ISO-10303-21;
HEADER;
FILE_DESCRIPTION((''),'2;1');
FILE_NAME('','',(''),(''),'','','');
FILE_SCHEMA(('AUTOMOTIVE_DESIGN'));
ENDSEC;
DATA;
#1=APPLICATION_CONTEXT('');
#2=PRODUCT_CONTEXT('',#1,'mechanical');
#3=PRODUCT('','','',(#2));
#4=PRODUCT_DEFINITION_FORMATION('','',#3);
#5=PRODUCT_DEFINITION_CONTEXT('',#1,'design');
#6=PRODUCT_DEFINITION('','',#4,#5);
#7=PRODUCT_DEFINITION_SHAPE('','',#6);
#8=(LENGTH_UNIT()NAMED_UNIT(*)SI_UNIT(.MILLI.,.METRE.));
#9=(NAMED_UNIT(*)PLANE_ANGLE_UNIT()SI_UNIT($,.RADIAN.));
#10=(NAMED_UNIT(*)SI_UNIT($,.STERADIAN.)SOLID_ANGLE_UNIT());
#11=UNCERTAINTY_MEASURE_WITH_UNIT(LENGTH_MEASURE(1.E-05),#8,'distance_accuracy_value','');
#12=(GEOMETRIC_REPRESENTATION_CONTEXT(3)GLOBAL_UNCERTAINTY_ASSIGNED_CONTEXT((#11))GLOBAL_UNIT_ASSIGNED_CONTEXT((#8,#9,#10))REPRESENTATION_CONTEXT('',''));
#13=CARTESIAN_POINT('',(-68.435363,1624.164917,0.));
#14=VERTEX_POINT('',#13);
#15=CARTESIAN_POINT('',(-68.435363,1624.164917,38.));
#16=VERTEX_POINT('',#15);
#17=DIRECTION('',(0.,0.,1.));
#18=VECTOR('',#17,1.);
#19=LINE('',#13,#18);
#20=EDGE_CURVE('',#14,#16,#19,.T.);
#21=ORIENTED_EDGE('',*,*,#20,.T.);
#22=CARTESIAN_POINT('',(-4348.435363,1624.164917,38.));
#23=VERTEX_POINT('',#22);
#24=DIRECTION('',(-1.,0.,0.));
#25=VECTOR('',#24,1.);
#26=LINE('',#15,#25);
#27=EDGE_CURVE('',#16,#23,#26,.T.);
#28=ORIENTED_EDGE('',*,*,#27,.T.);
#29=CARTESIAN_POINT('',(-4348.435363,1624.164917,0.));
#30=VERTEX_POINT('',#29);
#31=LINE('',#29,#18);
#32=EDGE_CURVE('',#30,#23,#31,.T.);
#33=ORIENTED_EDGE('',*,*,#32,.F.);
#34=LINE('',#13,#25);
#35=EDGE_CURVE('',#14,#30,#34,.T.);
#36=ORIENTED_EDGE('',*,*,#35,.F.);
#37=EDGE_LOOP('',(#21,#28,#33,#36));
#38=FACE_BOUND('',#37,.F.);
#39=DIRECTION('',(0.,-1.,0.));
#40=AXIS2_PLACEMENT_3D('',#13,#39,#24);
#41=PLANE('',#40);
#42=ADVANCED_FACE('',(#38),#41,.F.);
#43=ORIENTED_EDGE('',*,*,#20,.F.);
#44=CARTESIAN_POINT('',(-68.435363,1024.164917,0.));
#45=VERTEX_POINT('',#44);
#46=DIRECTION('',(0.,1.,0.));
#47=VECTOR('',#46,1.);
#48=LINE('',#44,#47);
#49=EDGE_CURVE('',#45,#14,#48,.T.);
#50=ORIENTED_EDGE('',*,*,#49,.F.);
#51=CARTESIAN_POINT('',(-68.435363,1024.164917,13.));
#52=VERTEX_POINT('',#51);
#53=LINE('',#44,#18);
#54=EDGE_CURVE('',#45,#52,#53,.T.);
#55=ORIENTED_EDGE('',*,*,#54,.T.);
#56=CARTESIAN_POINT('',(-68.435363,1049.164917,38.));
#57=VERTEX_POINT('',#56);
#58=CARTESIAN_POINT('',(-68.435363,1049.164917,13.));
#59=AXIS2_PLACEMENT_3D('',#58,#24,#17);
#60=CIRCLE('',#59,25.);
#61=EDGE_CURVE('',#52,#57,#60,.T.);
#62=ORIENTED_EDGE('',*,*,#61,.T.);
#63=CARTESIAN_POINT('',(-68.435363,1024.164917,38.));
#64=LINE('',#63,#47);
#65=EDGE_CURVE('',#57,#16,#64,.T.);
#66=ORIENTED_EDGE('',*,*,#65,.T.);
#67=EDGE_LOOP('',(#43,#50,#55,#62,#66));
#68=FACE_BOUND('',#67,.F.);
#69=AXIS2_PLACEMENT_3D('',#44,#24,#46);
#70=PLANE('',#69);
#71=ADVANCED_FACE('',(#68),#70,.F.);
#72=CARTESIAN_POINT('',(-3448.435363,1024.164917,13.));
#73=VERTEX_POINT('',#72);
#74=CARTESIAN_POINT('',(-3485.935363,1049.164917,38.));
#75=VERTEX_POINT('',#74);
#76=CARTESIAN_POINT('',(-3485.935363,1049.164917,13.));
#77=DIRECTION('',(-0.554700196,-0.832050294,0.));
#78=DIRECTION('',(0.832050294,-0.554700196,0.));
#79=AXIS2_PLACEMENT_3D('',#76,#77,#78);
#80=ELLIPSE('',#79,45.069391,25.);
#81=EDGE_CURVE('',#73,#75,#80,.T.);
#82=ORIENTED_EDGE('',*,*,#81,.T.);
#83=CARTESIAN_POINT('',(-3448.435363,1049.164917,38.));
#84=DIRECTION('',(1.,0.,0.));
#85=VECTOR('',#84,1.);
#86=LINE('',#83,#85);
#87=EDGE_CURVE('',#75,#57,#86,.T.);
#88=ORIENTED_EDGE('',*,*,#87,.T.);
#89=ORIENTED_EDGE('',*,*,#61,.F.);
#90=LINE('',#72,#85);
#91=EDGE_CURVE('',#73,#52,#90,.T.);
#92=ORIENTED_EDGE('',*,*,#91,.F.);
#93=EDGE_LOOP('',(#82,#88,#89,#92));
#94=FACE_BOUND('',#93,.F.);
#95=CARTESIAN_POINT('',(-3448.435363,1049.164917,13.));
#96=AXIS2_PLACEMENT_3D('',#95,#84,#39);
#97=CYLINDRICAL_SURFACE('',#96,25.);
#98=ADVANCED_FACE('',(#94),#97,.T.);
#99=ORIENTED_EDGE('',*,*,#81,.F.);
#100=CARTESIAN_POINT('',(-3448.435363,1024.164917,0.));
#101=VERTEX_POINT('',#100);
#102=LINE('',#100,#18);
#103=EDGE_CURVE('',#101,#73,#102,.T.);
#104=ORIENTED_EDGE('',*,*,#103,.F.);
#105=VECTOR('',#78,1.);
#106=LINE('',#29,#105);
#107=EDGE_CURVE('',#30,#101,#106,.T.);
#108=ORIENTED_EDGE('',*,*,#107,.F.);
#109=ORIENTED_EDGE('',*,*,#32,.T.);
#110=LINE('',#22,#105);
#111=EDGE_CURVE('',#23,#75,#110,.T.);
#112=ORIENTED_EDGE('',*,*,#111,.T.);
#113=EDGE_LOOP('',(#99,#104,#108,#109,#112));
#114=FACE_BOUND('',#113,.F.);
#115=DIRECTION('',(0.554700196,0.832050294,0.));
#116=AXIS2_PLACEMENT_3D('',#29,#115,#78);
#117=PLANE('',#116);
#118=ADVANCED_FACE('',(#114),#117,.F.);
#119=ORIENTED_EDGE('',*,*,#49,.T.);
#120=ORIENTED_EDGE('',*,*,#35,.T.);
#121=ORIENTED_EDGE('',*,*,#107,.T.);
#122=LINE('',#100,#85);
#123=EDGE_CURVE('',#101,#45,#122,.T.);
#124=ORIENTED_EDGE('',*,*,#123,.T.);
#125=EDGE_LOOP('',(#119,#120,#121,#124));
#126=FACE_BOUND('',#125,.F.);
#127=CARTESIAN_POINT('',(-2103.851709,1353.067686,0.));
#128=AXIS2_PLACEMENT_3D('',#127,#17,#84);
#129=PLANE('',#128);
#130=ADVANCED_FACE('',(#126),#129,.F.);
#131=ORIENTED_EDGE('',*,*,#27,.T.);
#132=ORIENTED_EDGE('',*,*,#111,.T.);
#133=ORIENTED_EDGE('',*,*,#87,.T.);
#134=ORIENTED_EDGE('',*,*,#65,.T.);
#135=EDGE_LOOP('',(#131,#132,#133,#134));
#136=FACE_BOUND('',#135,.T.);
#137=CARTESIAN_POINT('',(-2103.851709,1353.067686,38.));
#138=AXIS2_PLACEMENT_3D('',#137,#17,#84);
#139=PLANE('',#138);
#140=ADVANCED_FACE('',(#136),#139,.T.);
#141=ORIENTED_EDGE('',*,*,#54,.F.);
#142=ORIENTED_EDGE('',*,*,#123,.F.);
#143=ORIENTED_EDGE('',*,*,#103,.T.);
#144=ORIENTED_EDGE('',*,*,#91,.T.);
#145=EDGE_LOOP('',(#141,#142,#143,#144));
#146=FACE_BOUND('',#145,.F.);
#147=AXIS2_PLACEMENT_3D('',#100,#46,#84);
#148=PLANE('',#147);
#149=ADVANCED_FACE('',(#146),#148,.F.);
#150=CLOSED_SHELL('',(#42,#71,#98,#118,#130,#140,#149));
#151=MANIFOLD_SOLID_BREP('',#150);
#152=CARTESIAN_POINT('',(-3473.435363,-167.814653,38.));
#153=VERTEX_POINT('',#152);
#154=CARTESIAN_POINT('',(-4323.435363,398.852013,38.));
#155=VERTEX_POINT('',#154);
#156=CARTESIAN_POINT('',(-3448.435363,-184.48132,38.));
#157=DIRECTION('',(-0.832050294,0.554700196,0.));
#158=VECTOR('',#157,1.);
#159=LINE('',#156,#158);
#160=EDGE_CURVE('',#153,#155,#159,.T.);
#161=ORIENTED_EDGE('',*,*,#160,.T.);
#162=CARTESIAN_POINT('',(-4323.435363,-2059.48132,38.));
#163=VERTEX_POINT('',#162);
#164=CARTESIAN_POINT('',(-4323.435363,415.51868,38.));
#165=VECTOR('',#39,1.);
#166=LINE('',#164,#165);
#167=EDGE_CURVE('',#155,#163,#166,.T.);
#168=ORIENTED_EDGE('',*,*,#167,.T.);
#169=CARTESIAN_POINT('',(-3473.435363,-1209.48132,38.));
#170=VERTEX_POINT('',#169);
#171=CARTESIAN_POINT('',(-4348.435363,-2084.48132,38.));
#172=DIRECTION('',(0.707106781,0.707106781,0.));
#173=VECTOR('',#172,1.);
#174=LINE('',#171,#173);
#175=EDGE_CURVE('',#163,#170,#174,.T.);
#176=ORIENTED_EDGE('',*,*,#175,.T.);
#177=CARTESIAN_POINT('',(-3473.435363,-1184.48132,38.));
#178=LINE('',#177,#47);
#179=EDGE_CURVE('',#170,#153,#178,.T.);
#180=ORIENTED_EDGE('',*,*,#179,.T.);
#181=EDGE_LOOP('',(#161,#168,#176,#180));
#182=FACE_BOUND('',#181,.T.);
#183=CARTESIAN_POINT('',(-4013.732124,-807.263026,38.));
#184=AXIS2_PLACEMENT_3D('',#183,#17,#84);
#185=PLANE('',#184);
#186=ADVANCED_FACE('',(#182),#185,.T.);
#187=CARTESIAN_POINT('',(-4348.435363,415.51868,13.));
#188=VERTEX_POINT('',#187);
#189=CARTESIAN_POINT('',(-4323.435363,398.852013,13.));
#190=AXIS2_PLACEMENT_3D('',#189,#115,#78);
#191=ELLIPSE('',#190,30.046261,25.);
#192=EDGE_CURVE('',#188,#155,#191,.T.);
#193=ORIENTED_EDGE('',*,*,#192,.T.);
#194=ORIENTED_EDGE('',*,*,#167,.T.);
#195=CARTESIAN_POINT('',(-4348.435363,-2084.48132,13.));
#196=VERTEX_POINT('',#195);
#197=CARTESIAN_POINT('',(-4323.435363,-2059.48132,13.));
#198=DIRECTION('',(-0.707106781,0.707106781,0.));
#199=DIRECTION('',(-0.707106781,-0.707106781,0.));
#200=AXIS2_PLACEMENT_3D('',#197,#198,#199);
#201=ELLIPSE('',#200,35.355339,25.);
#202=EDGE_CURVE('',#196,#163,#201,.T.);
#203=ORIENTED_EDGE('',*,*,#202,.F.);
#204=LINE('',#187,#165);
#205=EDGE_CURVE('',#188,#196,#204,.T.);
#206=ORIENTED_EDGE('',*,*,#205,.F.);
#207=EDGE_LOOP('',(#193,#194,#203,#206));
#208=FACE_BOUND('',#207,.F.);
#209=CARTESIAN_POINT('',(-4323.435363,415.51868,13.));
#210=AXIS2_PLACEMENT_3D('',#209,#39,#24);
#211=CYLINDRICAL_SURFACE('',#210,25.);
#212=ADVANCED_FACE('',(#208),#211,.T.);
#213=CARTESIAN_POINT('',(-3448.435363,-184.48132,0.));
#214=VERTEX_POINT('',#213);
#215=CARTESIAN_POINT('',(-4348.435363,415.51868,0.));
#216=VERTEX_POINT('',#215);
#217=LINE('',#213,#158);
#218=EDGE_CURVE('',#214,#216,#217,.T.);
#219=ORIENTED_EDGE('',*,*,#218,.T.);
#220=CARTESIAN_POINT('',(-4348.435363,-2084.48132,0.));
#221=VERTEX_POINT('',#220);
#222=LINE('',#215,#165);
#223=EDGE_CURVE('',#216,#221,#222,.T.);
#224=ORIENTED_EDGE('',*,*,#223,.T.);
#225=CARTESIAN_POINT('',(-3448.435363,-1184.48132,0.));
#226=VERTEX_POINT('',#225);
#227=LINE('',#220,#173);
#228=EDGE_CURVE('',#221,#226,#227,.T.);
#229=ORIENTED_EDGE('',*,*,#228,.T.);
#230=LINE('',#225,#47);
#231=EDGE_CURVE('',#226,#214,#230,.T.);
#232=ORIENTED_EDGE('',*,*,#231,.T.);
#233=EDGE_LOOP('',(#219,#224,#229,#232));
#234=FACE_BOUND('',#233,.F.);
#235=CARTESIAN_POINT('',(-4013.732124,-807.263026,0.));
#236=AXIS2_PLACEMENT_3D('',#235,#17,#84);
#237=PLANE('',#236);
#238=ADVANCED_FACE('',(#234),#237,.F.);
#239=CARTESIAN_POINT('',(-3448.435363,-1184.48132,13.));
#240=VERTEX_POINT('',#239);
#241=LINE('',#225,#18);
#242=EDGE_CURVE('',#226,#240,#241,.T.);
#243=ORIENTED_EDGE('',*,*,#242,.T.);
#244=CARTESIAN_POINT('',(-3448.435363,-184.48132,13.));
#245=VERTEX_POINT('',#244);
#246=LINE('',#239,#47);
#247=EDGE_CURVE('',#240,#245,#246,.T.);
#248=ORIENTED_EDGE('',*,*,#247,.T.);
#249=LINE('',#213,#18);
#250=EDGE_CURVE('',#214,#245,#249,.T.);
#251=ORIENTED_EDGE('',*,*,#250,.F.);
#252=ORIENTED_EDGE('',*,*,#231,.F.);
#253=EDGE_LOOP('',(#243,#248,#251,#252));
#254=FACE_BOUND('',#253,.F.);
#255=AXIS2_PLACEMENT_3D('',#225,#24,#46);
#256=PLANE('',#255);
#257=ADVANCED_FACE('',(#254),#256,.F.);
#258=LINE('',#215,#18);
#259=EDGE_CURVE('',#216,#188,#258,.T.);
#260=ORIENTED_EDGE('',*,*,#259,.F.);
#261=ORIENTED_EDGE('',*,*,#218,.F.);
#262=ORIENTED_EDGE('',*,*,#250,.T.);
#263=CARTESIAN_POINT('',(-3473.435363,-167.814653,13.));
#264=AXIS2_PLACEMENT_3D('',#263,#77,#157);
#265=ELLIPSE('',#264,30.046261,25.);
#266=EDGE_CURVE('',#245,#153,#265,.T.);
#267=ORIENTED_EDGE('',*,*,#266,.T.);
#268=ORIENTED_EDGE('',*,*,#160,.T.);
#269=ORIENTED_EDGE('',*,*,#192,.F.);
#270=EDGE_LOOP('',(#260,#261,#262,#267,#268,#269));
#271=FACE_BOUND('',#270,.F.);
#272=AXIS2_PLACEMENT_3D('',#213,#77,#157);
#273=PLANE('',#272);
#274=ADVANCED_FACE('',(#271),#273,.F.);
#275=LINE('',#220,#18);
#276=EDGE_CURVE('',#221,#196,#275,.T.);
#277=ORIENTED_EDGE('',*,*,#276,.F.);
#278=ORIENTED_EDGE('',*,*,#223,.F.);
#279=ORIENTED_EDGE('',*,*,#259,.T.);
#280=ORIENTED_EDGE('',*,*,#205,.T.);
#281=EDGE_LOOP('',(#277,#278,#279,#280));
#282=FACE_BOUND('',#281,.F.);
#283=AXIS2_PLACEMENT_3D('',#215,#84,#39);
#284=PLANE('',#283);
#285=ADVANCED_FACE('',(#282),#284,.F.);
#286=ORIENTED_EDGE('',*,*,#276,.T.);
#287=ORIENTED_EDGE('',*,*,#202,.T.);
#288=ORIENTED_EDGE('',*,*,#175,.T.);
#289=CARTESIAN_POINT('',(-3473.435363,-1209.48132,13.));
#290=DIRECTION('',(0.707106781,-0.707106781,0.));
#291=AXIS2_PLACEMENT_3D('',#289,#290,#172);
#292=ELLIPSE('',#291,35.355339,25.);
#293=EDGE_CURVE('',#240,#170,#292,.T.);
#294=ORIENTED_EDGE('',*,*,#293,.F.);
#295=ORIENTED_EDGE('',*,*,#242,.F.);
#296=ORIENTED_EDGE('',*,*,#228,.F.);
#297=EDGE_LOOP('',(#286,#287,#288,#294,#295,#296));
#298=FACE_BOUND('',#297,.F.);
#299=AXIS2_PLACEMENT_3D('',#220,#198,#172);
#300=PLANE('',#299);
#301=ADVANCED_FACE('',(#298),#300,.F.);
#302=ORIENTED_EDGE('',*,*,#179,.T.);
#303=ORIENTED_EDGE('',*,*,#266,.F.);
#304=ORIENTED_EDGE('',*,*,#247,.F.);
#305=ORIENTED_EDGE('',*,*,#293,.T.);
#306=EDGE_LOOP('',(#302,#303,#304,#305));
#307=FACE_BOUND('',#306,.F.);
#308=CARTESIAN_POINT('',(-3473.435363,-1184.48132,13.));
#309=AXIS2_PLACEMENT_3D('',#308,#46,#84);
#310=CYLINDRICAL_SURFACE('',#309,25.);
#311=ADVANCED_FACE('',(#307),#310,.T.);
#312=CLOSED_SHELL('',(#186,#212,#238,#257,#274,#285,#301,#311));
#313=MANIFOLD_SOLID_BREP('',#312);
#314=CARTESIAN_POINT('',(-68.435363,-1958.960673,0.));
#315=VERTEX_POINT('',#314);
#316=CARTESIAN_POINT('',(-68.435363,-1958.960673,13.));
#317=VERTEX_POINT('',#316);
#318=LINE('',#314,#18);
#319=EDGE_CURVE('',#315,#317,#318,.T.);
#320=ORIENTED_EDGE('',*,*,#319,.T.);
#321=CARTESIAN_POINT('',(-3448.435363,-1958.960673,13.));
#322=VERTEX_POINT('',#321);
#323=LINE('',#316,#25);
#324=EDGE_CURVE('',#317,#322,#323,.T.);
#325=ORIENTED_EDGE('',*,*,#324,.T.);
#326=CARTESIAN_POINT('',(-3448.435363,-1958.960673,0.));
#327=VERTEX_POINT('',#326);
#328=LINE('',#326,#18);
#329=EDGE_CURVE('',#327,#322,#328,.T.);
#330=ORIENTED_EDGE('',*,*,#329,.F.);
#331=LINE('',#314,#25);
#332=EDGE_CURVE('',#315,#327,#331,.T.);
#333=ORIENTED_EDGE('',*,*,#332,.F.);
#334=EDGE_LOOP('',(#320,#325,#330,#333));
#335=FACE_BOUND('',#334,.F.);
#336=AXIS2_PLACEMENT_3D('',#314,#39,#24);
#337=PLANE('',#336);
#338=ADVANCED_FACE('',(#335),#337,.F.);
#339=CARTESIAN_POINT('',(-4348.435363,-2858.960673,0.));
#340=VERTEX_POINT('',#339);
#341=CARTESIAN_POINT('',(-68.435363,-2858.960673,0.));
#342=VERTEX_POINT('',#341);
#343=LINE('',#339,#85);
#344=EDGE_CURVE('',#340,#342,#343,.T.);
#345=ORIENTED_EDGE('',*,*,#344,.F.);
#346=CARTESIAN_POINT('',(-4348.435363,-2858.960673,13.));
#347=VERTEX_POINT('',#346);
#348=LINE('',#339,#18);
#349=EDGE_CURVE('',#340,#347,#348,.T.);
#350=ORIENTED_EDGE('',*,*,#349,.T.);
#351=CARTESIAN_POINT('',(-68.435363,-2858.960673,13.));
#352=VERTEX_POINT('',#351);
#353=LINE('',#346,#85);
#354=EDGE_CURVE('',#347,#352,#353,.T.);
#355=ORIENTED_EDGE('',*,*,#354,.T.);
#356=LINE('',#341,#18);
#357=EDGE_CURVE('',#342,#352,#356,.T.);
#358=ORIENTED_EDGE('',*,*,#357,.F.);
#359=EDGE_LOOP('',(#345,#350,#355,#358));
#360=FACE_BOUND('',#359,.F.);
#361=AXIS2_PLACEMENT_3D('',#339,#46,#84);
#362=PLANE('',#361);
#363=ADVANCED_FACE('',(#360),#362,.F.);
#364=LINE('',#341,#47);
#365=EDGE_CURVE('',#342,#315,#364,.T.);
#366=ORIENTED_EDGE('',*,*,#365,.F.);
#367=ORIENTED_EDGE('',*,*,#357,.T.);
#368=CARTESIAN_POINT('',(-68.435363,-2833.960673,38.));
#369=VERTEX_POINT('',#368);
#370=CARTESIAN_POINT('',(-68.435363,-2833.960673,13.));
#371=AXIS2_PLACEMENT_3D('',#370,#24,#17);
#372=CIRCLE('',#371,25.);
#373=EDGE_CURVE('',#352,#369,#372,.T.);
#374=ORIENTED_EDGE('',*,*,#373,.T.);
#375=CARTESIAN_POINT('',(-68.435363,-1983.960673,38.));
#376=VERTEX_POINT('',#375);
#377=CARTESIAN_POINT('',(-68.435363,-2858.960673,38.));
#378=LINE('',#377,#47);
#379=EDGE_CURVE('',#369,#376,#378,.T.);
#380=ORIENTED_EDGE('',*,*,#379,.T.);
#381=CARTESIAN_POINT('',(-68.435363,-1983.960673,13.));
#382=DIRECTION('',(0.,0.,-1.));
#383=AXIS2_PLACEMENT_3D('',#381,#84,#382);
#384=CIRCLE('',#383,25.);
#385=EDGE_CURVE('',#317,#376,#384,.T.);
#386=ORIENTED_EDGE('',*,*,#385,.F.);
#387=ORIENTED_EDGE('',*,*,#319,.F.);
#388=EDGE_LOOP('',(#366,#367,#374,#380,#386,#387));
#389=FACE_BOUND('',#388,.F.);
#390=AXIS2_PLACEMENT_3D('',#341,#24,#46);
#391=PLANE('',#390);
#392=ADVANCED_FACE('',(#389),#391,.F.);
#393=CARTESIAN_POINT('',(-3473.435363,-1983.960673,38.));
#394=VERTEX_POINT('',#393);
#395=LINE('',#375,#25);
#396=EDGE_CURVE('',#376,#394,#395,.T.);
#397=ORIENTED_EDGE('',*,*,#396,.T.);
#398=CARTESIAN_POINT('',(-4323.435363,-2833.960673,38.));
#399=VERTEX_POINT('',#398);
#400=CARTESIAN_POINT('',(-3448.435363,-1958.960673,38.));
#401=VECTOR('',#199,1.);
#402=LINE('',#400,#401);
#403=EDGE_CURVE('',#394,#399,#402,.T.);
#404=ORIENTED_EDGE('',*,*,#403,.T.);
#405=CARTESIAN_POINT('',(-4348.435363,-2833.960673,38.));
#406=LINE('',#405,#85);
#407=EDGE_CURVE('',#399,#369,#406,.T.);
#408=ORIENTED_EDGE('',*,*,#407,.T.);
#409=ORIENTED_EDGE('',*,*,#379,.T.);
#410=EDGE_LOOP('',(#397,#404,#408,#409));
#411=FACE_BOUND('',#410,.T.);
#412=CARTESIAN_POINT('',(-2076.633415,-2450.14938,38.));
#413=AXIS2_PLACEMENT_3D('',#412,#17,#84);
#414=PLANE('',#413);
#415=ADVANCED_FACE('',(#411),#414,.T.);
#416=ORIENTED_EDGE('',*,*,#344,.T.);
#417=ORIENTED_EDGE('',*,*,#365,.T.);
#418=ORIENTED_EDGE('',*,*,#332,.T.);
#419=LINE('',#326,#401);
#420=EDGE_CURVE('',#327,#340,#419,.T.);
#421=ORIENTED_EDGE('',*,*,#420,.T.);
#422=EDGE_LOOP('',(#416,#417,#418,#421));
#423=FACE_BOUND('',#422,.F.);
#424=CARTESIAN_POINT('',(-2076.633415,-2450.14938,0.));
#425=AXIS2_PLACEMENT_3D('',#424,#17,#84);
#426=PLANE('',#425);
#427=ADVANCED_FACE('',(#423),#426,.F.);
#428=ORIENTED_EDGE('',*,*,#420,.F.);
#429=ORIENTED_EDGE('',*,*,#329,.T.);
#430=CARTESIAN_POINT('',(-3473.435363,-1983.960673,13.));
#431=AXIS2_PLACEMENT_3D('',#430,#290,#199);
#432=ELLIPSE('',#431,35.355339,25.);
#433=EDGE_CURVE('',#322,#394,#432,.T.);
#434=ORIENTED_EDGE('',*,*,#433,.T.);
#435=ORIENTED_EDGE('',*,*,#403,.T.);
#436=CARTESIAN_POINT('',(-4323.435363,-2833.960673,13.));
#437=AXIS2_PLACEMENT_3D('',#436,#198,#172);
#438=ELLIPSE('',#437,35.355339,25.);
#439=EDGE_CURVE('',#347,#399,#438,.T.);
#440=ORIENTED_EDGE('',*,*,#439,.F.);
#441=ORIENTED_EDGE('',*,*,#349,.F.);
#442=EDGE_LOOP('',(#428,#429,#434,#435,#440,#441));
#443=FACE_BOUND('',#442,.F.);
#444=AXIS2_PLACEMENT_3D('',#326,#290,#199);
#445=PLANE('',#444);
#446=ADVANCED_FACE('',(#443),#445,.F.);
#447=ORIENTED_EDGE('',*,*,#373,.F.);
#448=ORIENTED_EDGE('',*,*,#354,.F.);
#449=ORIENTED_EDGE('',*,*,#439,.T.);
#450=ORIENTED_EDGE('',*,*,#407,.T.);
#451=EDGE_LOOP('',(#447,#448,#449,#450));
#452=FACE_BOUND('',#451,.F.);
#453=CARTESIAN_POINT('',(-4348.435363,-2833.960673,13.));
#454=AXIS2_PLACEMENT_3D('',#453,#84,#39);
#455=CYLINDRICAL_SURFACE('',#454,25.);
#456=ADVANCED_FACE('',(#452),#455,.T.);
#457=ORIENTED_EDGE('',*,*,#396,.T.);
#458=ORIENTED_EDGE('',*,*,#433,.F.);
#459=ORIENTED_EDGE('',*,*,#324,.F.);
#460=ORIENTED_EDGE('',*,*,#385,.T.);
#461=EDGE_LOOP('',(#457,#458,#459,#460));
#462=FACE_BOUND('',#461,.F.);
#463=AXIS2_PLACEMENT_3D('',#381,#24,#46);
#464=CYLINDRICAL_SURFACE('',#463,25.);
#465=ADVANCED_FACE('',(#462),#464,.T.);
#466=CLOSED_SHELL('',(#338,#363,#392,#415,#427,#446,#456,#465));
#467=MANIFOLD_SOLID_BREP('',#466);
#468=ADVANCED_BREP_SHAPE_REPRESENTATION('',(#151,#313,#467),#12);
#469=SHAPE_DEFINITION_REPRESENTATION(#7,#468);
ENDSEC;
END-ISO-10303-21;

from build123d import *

# Parameters (mm, degrees)
F1_DEPTH = 38
F2_R     = 25
F3_R     = 25
F4_R     = 25


with BuildPart() as f1:
    # F0 (on Top) → F1 (new body)
    with BuildSketch(Plane.XY):
        Polygon((-4348.435363, 1624.164917), (-3448.435363, 1024.164917), (-68.435363, 1024.164917), (-68.435363, 1624.164917), align=None)
        Polygon((-4348.435363, 415.51868), (-4348.435363, -2084.48132), (-3448.435363, -1184.48132), (-3448.435363, -184.48132), align=None)
        Polygon((-3448.435363, -1958.960673), (-4348.435363, -2858.960673), (-68.435363, -2858.960673), (-68.435363, -1958.960673), align=None)
    extrude(amount=F1_DEPTH)

    # F2
    f2_edges = [f1.edges().sort_by_distance(p)[0] for p in [
        (-1758.435363, 1024.164917, 38),
    ]]
    fillet(f2_edges, radius=F2_R)

    # F3
    f3_edges = [f1.edges().sort_by_distance(p)[0] for p in [
        (-3448.435363, -684.48132, 38),
        (-4348.435363, -834.48132, 38),
    ]]
    fillet(f3_edges, radius=F3_R)

    # F4
    f4_edges = [f1.edges().sort_by_distance(p)[0] for p in [
        (-2208.435363, -2858.960673, 38),
        (-1758.435363, -1958.960673, 38),
    ]]
    fillet(f4_edges, radius=F4_R)


solid = f1.part
